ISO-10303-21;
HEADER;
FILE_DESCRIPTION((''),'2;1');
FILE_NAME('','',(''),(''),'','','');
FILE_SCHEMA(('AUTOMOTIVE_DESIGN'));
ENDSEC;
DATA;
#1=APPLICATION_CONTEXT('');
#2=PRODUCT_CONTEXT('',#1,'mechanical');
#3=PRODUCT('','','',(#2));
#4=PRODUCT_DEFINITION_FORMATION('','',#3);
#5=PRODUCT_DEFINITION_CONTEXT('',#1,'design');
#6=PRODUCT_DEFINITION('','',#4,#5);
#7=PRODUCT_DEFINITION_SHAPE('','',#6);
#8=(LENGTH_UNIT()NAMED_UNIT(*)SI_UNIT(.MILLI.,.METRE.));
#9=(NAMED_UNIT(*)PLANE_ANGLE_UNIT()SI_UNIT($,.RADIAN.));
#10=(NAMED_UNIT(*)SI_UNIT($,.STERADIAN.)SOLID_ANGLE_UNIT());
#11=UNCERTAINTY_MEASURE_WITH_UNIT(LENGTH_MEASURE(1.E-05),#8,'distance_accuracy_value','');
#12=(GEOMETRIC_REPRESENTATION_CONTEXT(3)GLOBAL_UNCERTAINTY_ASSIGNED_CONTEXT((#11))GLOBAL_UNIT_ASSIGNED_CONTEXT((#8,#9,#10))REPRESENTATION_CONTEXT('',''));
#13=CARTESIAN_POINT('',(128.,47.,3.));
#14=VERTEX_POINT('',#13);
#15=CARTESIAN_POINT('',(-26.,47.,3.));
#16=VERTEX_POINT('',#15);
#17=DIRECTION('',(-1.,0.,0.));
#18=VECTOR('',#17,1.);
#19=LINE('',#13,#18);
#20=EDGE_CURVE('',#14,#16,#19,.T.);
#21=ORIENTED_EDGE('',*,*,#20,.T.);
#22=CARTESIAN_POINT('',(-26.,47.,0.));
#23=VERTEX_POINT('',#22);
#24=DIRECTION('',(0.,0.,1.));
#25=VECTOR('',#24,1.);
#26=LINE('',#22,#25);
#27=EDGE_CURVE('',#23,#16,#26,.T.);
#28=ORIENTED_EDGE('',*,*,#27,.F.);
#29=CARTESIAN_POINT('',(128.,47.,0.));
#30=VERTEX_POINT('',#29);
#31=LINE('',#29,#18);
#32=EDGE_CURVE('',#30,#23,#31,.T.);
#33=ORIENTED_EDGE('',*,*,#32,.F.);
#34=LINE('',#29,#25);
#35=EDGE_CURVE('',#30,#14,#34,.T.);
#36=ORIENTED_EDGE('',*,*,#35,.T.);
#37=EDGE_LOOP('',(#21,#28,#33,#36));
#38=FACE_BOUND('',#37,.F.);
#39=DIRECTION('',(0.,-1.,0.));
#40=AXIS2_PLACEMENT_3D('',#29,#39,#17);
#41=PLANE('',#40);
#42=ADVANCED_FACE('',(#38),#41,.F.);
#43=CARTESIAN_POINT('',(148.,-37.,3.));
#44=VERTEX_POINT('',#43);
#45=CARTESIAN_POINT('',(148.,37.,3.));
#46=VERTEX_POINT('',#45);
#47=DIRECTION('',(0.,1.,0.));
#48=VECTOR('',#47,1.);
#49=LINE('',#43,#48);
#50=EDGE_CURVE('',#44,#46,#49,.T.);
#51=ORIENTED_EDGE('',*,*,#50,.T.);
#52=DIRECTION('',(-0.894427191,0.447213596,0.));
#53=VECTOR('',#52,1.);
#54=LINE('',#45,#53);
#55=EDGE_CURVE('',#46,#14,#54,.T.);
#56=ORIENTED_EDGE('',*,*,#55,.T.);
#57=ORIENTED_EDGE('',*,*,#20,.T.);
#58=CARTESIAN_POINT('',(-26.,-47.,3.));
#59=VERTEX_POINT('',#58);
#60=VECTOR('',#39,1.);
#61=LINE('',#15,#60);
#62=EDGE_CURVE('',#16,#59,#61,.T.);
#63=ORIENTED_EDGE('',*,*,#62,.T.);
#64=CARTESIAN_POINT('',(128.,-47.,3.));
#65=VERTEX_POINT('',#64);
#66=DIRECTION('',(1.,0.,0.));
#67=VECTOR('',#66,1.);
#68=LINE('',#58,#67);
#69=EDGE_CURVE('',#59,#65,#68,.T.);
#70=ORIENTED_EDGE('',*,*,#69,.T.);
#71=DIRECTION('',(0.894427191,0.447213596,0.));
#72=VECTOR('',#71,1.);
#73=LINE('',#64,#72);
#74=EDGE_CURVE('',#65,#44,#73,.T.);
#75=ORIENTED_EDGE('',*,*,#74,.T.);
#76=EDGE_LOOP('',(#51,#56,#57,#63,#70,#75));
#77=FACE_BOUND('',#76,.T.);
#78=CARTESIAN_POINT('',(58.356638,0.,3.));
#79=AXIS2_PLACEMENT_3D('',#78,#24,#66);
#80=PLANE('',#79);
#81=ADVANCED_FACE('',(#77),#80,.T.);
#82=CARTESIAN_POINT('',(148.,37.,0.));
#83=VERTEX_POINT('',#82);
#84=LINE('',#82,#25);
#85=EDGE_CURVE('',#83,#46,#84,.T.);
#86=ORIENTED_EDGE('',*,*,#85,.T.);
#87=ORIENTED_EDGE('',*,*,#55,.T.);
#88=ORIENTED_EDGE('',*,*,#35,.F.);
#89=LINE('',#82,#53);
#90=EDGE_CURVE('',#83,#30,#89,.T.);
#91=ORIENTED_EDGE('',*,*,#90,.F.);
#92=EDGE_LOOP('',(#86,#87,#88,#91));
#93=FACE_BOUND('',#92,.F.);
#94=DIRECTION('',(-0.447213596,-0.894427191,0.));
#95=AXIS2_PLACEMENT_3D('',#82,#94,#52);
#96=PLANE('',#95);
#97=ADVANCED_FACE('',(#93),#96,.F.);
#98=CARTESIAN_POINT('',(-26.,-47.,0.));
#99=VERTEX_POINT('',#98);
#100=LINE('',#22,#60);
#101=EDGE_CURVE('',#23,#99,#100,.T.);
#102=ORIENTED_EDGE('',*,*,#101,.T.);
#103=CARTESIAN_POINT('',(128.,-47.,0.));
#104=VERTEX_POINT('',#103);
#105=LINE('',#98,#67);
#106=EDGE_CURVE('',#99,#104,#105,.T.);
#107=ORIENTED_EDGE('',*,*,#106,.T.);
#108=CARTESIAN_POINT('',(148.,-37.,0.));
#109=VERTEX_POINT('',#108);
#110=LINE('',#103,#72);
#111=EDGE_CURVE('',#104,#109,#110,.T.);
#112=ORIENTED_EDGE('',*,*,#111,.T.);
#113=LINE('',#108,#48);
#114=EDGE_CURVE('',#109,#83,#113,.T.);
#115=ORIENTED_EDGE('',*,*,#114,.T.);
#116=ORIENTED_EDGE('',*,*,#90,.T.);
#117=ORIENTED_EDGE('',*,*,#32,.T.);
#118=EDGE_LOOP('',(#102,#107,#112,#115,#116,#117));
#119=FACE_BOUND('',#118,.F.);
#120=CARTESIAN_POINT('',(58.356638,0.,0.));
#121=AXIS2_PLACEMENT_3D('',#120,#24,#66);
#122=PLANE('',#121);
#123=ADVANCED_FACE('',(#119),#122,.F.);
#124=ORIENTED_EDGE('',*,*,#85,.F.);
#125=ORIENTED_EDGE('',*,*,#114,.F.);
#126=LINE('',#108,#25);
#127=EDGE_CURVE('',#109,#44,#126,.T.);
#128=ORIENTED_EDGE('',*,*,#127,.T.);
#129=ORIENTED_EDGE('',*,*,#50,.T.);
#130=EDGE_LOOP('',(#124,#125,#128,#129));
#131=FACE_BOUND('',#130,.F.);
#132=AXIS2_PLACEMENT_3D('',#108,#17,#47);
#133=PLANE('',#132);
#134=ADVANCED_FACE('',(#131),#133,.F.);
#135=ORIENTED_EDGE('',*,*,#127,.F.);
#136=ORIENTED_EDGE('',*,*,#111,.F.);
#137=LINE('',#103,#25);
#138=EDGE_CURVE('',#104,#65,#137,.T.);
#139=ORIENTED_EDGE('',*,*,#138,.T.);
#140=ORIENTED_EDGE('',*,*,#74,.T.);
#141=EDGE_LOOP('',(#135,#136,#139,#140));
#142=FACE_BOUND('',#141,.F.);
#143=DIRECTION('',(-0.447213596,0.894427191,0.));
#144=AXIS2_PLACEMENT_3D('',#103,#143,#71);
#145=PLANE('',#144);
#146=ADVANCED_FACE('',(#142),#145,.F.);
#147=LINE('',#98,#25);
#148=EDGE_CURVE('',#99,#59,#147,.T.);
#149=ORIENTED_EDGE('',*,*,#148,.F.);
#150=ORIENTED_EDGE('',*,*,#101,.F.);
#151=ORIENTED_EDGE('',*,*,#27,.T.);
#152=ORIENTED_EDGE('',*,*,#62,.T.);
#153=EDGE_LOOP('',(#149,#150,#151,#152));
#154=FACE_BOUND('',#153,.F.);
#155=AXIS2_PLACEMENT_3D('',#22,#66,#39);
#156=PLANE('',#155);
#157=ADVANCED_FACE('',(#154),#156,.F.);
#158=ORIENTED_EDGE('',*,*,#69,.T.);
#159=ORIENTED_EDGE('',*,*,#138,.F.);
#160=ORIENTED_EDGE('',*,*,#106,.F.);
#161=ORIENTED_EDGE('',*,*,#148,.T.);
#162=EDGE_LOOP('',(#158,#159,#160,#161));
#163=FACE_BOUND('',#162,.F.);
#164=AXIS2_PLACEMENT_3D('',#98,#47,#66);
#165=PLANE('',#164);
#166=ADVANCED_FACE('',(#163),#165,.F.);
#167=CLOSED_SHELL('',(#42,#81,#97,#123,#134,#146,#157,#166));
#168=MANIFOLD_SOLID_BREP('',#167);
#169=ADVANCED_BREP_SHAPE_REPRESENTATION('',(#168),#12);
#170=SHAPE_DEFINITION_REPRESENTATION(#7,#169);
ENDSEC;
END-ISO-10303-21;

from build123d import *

# Parameters (mm, degrees)
PAD_DEPTH = 3


with BuildPart() as part:
    # Sketch → Pad (new body)
    with BuildSketch(Plane.XY):
        Polygon((-26, 47), (-26, -47), (128, -47), (148, -37), (148, 37), (128, 47), align=None)
    extrude(amount=PAD_DEPTH)


solid = part.part
